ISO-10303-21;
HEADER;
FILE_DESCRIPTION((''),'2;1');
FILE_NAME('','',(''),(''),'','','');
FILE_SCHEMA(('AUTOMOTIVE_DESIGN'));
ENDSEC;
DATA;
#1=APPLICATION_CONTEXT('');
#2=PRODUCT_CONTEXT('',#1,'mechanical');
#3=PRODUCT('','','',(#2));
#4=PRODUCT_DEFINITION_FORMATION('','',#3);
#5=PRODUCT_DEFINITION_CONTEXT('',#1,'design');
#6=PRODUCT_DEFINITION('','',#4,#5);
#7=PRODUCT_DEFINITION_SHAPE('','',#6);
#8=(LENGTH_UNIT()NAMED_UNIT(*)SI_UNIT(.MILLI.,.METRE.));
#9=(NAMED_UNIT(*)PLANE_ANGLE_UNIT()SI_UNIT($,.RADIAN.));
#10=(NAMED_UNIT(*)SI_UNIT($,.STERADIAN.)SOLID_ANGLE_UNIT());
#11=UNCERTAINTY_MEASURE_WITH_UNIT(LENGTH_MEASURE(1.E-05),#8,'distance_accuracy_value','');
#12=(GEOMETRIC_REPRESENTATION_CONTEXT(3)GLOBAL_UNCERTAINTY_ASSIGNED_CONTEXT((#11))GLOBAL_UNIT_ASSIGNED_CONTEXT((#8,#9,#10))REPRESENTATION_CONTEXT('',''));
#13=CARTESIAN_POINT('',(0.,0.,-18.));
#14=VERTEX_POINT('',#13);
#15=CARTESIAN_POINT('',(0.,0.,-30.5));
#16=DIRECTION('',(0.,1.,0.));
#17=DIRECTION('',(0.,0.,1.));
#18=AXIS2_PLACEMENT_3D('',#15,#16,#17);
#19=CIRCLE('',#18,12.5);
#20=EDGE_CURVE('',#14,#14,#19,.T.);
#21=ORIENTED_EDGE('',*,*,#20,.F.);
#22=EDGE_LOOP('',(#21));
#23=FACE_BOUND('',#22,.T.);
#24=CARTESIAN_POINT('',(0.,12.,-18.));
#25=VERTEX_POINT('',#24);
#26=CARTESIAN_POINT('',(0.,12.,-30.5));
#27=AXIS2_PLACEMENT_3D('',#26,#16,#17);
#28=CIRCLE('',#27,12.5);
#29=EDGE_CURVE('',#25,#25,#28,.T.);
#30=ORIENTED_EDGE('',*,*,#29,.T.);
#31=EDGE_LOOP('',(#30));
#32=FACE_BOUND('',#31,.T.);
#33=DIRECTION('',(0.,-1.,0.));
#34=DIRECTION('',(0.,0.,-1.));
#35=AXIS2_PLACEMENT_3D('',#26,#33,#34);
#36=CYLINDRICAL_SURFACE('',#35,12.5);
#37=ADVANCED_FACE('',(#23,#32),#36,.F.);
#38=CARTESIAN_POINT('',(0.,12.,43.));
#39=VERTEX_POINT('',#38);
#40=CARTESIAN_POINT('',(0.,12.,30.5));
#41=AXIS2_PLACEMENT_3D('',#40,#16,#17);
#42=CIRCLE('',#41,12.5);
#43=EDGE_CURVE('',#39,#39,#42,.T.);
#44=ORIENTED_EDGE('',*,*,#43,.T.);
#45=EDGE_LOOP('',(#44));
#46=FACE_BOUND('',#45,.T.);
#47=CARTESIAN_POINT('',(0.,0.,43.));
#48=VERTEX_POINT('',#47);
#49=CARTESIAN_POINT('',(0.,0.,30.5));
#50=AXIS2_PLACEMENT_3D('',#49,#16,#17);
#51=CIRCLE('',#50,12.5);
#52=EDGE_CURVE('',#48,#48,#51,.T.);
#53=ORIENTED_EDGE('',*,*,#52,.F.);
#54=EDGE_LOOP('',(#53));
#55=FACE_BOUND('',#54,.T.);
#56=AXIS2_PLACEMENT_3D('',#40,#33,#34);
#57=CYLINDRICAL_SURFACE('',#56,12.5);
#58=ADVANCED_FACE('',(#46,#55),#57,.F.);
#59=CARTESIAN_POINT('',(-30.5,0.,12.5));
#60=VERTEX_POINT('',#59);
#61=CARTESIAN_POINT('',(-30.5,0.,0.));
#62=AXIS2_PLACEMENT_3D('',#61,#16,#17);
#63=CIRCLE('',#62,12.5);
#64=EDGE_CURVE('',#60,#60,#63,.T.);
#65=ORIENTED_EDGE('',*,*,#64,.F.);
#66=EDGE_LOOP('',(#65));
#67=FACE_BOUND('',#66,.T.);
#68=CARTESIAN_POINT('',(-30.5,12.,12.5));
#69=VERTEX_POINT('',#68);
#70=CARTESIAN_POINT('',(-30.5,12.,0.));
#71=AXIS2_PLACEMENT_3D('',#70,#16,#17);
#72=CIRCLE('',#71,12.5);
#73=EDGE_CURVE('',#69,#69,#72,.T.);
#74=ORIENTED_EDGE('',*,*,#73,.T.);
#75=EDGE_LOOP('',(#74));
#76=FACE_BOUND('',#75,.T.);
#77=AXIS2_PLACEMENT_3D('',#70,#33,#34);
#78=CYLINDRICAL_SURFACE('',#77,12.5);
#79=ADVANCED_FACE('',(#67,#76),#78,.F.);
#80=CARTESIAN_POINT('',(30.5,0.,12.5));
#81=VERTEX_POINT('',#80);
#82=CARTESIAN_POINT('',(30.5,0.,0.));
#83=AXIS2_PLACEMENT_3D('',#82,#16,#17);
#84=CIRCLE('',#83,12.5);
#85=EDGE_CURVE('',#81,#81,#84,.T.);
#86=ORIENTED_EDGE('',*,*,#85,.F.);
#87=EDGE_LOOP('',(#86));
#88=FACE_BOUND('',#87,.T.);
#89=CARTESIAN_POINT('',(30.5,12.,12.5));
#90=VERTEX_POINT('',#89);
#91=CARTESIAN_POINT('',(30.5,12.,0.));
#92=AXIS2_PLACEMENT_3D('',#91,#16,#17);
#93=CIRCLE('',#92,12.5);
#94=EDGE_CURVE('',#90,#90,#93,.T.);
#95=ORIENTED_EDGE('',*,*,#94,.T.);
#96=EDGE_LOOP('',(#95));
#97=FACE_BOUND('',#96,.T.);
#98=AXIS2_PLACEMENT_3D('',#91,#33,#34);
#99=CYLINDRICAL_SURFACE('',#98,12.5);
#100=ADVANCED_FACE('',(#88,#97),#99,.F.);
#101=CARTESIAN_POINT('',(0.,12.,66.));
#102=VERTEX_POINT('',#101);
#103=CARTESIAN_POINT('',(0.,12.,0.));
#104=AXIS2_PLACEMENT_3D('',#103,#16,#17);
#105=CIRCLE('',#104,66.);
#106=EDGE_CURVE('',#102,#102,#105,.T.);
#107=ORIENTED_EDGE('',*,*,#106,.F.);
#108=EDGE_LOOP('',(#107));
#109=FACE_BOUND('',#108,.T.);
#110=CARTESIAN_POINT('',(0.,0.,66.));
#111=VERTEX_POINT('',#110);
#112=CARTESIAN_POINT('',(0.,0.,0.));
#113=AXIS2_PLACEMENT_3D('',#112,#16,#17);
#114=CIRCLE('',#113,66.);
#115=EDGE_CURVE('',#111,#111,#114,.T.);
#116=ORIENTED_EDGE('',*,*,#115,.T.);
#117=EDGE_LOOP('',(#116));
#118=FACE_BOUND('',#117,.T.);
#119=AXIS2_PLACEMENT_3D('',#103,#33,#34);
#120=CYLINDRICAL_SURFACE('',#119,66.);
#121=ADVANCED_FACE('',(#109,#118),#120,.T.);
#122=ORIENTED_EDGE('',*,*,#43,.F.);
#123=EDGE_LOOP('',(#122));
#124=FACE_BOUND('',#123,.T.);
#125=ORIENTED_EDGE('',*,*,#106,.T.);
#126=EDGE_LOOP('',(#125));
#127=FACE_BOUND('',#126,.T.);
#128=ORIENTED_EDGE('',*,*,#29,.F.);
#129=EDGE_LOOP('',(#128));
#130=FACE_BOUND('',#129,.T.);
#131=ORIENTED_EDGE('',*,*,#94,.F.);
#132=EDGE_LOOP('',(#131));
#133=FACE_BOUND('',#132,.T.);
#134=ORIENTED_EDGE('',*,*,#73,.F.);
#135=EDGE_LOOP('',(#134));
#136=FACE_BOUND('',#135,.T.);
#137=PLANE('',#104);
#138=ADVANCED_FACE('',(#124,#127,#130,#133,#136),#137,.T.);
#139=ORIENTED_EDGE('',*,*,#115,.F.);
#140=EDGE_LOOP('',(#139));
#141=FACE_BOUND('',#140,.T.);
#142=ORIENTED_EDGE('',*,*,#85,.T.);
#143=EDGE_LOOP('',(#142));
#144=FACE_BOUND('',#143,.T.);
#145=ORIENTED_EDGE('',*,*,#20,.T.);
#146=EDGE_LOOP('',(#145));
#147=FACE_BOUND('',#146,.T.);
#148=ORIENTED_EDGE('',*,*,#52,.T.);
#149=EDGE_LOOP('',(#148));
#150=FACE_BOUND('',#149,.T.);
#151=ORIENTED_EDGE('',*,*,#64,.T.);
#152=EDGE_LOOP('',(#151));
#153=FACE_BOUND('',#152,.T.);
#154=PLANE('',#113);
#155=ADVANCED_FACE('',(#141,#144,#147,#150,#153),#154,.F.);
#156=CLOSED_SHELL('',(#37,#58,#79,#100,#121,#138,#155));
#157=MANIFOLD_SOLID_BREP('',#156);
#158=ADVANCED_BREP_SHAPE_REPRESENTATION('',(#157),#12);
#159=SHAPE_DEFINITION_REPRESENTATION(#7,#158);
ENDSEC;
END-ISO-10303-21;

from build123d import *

# Parameters (mm, degrees)
SKETCH_1_R      = 66
SKETCH_1_R_2    = 12.5
EXTRUDE_1_DEPTH = 12


with BuildPart() as part:
    # ｽｹｯﾁ1 → ﾎﾞｽ - 押し出し1 (new body)
    with BuildSketch(Plane(origin=(0, 0, 0), x_dir=(1, 0, 0), z_dir=(0, 1, 0))):
        with Locations(Location((0, 0, 0), (0, 0, 270))):  # turned: the seam where the file's is
            Circle(SKETCH_1_R)
        with Locations(Location((0, 30.5, 0), (0, 0, 270))):  # turned: the seam where the file's is
            Circle(SKETCH_1_R_2, mode=Mode.SUBTRACT)
        with Locations(Location((30.5, 0, 0), (0, 0, 270))):  # turned: the seam where the file's is
            Circle(SKETCH_1_R_2, mode=Mode.SUBTRACT)
        with Locations(Location((0, -30.5, 0), (0, 0, 270))):  # turned: the seam where the file's is
            Circle(SKETCH_1_R_2, mode=Mode.SUBTRACT)
        with Locations(Location((-30.5, 0, 0), (0, 0, 270))):  # turned: the seam where the file's is
            Circle(SKETCH_1_R_2, mode=Mode.SUBTRACT)
    extrude(amount=EXTRUDE_1_DEPTH)


solid = part.part
